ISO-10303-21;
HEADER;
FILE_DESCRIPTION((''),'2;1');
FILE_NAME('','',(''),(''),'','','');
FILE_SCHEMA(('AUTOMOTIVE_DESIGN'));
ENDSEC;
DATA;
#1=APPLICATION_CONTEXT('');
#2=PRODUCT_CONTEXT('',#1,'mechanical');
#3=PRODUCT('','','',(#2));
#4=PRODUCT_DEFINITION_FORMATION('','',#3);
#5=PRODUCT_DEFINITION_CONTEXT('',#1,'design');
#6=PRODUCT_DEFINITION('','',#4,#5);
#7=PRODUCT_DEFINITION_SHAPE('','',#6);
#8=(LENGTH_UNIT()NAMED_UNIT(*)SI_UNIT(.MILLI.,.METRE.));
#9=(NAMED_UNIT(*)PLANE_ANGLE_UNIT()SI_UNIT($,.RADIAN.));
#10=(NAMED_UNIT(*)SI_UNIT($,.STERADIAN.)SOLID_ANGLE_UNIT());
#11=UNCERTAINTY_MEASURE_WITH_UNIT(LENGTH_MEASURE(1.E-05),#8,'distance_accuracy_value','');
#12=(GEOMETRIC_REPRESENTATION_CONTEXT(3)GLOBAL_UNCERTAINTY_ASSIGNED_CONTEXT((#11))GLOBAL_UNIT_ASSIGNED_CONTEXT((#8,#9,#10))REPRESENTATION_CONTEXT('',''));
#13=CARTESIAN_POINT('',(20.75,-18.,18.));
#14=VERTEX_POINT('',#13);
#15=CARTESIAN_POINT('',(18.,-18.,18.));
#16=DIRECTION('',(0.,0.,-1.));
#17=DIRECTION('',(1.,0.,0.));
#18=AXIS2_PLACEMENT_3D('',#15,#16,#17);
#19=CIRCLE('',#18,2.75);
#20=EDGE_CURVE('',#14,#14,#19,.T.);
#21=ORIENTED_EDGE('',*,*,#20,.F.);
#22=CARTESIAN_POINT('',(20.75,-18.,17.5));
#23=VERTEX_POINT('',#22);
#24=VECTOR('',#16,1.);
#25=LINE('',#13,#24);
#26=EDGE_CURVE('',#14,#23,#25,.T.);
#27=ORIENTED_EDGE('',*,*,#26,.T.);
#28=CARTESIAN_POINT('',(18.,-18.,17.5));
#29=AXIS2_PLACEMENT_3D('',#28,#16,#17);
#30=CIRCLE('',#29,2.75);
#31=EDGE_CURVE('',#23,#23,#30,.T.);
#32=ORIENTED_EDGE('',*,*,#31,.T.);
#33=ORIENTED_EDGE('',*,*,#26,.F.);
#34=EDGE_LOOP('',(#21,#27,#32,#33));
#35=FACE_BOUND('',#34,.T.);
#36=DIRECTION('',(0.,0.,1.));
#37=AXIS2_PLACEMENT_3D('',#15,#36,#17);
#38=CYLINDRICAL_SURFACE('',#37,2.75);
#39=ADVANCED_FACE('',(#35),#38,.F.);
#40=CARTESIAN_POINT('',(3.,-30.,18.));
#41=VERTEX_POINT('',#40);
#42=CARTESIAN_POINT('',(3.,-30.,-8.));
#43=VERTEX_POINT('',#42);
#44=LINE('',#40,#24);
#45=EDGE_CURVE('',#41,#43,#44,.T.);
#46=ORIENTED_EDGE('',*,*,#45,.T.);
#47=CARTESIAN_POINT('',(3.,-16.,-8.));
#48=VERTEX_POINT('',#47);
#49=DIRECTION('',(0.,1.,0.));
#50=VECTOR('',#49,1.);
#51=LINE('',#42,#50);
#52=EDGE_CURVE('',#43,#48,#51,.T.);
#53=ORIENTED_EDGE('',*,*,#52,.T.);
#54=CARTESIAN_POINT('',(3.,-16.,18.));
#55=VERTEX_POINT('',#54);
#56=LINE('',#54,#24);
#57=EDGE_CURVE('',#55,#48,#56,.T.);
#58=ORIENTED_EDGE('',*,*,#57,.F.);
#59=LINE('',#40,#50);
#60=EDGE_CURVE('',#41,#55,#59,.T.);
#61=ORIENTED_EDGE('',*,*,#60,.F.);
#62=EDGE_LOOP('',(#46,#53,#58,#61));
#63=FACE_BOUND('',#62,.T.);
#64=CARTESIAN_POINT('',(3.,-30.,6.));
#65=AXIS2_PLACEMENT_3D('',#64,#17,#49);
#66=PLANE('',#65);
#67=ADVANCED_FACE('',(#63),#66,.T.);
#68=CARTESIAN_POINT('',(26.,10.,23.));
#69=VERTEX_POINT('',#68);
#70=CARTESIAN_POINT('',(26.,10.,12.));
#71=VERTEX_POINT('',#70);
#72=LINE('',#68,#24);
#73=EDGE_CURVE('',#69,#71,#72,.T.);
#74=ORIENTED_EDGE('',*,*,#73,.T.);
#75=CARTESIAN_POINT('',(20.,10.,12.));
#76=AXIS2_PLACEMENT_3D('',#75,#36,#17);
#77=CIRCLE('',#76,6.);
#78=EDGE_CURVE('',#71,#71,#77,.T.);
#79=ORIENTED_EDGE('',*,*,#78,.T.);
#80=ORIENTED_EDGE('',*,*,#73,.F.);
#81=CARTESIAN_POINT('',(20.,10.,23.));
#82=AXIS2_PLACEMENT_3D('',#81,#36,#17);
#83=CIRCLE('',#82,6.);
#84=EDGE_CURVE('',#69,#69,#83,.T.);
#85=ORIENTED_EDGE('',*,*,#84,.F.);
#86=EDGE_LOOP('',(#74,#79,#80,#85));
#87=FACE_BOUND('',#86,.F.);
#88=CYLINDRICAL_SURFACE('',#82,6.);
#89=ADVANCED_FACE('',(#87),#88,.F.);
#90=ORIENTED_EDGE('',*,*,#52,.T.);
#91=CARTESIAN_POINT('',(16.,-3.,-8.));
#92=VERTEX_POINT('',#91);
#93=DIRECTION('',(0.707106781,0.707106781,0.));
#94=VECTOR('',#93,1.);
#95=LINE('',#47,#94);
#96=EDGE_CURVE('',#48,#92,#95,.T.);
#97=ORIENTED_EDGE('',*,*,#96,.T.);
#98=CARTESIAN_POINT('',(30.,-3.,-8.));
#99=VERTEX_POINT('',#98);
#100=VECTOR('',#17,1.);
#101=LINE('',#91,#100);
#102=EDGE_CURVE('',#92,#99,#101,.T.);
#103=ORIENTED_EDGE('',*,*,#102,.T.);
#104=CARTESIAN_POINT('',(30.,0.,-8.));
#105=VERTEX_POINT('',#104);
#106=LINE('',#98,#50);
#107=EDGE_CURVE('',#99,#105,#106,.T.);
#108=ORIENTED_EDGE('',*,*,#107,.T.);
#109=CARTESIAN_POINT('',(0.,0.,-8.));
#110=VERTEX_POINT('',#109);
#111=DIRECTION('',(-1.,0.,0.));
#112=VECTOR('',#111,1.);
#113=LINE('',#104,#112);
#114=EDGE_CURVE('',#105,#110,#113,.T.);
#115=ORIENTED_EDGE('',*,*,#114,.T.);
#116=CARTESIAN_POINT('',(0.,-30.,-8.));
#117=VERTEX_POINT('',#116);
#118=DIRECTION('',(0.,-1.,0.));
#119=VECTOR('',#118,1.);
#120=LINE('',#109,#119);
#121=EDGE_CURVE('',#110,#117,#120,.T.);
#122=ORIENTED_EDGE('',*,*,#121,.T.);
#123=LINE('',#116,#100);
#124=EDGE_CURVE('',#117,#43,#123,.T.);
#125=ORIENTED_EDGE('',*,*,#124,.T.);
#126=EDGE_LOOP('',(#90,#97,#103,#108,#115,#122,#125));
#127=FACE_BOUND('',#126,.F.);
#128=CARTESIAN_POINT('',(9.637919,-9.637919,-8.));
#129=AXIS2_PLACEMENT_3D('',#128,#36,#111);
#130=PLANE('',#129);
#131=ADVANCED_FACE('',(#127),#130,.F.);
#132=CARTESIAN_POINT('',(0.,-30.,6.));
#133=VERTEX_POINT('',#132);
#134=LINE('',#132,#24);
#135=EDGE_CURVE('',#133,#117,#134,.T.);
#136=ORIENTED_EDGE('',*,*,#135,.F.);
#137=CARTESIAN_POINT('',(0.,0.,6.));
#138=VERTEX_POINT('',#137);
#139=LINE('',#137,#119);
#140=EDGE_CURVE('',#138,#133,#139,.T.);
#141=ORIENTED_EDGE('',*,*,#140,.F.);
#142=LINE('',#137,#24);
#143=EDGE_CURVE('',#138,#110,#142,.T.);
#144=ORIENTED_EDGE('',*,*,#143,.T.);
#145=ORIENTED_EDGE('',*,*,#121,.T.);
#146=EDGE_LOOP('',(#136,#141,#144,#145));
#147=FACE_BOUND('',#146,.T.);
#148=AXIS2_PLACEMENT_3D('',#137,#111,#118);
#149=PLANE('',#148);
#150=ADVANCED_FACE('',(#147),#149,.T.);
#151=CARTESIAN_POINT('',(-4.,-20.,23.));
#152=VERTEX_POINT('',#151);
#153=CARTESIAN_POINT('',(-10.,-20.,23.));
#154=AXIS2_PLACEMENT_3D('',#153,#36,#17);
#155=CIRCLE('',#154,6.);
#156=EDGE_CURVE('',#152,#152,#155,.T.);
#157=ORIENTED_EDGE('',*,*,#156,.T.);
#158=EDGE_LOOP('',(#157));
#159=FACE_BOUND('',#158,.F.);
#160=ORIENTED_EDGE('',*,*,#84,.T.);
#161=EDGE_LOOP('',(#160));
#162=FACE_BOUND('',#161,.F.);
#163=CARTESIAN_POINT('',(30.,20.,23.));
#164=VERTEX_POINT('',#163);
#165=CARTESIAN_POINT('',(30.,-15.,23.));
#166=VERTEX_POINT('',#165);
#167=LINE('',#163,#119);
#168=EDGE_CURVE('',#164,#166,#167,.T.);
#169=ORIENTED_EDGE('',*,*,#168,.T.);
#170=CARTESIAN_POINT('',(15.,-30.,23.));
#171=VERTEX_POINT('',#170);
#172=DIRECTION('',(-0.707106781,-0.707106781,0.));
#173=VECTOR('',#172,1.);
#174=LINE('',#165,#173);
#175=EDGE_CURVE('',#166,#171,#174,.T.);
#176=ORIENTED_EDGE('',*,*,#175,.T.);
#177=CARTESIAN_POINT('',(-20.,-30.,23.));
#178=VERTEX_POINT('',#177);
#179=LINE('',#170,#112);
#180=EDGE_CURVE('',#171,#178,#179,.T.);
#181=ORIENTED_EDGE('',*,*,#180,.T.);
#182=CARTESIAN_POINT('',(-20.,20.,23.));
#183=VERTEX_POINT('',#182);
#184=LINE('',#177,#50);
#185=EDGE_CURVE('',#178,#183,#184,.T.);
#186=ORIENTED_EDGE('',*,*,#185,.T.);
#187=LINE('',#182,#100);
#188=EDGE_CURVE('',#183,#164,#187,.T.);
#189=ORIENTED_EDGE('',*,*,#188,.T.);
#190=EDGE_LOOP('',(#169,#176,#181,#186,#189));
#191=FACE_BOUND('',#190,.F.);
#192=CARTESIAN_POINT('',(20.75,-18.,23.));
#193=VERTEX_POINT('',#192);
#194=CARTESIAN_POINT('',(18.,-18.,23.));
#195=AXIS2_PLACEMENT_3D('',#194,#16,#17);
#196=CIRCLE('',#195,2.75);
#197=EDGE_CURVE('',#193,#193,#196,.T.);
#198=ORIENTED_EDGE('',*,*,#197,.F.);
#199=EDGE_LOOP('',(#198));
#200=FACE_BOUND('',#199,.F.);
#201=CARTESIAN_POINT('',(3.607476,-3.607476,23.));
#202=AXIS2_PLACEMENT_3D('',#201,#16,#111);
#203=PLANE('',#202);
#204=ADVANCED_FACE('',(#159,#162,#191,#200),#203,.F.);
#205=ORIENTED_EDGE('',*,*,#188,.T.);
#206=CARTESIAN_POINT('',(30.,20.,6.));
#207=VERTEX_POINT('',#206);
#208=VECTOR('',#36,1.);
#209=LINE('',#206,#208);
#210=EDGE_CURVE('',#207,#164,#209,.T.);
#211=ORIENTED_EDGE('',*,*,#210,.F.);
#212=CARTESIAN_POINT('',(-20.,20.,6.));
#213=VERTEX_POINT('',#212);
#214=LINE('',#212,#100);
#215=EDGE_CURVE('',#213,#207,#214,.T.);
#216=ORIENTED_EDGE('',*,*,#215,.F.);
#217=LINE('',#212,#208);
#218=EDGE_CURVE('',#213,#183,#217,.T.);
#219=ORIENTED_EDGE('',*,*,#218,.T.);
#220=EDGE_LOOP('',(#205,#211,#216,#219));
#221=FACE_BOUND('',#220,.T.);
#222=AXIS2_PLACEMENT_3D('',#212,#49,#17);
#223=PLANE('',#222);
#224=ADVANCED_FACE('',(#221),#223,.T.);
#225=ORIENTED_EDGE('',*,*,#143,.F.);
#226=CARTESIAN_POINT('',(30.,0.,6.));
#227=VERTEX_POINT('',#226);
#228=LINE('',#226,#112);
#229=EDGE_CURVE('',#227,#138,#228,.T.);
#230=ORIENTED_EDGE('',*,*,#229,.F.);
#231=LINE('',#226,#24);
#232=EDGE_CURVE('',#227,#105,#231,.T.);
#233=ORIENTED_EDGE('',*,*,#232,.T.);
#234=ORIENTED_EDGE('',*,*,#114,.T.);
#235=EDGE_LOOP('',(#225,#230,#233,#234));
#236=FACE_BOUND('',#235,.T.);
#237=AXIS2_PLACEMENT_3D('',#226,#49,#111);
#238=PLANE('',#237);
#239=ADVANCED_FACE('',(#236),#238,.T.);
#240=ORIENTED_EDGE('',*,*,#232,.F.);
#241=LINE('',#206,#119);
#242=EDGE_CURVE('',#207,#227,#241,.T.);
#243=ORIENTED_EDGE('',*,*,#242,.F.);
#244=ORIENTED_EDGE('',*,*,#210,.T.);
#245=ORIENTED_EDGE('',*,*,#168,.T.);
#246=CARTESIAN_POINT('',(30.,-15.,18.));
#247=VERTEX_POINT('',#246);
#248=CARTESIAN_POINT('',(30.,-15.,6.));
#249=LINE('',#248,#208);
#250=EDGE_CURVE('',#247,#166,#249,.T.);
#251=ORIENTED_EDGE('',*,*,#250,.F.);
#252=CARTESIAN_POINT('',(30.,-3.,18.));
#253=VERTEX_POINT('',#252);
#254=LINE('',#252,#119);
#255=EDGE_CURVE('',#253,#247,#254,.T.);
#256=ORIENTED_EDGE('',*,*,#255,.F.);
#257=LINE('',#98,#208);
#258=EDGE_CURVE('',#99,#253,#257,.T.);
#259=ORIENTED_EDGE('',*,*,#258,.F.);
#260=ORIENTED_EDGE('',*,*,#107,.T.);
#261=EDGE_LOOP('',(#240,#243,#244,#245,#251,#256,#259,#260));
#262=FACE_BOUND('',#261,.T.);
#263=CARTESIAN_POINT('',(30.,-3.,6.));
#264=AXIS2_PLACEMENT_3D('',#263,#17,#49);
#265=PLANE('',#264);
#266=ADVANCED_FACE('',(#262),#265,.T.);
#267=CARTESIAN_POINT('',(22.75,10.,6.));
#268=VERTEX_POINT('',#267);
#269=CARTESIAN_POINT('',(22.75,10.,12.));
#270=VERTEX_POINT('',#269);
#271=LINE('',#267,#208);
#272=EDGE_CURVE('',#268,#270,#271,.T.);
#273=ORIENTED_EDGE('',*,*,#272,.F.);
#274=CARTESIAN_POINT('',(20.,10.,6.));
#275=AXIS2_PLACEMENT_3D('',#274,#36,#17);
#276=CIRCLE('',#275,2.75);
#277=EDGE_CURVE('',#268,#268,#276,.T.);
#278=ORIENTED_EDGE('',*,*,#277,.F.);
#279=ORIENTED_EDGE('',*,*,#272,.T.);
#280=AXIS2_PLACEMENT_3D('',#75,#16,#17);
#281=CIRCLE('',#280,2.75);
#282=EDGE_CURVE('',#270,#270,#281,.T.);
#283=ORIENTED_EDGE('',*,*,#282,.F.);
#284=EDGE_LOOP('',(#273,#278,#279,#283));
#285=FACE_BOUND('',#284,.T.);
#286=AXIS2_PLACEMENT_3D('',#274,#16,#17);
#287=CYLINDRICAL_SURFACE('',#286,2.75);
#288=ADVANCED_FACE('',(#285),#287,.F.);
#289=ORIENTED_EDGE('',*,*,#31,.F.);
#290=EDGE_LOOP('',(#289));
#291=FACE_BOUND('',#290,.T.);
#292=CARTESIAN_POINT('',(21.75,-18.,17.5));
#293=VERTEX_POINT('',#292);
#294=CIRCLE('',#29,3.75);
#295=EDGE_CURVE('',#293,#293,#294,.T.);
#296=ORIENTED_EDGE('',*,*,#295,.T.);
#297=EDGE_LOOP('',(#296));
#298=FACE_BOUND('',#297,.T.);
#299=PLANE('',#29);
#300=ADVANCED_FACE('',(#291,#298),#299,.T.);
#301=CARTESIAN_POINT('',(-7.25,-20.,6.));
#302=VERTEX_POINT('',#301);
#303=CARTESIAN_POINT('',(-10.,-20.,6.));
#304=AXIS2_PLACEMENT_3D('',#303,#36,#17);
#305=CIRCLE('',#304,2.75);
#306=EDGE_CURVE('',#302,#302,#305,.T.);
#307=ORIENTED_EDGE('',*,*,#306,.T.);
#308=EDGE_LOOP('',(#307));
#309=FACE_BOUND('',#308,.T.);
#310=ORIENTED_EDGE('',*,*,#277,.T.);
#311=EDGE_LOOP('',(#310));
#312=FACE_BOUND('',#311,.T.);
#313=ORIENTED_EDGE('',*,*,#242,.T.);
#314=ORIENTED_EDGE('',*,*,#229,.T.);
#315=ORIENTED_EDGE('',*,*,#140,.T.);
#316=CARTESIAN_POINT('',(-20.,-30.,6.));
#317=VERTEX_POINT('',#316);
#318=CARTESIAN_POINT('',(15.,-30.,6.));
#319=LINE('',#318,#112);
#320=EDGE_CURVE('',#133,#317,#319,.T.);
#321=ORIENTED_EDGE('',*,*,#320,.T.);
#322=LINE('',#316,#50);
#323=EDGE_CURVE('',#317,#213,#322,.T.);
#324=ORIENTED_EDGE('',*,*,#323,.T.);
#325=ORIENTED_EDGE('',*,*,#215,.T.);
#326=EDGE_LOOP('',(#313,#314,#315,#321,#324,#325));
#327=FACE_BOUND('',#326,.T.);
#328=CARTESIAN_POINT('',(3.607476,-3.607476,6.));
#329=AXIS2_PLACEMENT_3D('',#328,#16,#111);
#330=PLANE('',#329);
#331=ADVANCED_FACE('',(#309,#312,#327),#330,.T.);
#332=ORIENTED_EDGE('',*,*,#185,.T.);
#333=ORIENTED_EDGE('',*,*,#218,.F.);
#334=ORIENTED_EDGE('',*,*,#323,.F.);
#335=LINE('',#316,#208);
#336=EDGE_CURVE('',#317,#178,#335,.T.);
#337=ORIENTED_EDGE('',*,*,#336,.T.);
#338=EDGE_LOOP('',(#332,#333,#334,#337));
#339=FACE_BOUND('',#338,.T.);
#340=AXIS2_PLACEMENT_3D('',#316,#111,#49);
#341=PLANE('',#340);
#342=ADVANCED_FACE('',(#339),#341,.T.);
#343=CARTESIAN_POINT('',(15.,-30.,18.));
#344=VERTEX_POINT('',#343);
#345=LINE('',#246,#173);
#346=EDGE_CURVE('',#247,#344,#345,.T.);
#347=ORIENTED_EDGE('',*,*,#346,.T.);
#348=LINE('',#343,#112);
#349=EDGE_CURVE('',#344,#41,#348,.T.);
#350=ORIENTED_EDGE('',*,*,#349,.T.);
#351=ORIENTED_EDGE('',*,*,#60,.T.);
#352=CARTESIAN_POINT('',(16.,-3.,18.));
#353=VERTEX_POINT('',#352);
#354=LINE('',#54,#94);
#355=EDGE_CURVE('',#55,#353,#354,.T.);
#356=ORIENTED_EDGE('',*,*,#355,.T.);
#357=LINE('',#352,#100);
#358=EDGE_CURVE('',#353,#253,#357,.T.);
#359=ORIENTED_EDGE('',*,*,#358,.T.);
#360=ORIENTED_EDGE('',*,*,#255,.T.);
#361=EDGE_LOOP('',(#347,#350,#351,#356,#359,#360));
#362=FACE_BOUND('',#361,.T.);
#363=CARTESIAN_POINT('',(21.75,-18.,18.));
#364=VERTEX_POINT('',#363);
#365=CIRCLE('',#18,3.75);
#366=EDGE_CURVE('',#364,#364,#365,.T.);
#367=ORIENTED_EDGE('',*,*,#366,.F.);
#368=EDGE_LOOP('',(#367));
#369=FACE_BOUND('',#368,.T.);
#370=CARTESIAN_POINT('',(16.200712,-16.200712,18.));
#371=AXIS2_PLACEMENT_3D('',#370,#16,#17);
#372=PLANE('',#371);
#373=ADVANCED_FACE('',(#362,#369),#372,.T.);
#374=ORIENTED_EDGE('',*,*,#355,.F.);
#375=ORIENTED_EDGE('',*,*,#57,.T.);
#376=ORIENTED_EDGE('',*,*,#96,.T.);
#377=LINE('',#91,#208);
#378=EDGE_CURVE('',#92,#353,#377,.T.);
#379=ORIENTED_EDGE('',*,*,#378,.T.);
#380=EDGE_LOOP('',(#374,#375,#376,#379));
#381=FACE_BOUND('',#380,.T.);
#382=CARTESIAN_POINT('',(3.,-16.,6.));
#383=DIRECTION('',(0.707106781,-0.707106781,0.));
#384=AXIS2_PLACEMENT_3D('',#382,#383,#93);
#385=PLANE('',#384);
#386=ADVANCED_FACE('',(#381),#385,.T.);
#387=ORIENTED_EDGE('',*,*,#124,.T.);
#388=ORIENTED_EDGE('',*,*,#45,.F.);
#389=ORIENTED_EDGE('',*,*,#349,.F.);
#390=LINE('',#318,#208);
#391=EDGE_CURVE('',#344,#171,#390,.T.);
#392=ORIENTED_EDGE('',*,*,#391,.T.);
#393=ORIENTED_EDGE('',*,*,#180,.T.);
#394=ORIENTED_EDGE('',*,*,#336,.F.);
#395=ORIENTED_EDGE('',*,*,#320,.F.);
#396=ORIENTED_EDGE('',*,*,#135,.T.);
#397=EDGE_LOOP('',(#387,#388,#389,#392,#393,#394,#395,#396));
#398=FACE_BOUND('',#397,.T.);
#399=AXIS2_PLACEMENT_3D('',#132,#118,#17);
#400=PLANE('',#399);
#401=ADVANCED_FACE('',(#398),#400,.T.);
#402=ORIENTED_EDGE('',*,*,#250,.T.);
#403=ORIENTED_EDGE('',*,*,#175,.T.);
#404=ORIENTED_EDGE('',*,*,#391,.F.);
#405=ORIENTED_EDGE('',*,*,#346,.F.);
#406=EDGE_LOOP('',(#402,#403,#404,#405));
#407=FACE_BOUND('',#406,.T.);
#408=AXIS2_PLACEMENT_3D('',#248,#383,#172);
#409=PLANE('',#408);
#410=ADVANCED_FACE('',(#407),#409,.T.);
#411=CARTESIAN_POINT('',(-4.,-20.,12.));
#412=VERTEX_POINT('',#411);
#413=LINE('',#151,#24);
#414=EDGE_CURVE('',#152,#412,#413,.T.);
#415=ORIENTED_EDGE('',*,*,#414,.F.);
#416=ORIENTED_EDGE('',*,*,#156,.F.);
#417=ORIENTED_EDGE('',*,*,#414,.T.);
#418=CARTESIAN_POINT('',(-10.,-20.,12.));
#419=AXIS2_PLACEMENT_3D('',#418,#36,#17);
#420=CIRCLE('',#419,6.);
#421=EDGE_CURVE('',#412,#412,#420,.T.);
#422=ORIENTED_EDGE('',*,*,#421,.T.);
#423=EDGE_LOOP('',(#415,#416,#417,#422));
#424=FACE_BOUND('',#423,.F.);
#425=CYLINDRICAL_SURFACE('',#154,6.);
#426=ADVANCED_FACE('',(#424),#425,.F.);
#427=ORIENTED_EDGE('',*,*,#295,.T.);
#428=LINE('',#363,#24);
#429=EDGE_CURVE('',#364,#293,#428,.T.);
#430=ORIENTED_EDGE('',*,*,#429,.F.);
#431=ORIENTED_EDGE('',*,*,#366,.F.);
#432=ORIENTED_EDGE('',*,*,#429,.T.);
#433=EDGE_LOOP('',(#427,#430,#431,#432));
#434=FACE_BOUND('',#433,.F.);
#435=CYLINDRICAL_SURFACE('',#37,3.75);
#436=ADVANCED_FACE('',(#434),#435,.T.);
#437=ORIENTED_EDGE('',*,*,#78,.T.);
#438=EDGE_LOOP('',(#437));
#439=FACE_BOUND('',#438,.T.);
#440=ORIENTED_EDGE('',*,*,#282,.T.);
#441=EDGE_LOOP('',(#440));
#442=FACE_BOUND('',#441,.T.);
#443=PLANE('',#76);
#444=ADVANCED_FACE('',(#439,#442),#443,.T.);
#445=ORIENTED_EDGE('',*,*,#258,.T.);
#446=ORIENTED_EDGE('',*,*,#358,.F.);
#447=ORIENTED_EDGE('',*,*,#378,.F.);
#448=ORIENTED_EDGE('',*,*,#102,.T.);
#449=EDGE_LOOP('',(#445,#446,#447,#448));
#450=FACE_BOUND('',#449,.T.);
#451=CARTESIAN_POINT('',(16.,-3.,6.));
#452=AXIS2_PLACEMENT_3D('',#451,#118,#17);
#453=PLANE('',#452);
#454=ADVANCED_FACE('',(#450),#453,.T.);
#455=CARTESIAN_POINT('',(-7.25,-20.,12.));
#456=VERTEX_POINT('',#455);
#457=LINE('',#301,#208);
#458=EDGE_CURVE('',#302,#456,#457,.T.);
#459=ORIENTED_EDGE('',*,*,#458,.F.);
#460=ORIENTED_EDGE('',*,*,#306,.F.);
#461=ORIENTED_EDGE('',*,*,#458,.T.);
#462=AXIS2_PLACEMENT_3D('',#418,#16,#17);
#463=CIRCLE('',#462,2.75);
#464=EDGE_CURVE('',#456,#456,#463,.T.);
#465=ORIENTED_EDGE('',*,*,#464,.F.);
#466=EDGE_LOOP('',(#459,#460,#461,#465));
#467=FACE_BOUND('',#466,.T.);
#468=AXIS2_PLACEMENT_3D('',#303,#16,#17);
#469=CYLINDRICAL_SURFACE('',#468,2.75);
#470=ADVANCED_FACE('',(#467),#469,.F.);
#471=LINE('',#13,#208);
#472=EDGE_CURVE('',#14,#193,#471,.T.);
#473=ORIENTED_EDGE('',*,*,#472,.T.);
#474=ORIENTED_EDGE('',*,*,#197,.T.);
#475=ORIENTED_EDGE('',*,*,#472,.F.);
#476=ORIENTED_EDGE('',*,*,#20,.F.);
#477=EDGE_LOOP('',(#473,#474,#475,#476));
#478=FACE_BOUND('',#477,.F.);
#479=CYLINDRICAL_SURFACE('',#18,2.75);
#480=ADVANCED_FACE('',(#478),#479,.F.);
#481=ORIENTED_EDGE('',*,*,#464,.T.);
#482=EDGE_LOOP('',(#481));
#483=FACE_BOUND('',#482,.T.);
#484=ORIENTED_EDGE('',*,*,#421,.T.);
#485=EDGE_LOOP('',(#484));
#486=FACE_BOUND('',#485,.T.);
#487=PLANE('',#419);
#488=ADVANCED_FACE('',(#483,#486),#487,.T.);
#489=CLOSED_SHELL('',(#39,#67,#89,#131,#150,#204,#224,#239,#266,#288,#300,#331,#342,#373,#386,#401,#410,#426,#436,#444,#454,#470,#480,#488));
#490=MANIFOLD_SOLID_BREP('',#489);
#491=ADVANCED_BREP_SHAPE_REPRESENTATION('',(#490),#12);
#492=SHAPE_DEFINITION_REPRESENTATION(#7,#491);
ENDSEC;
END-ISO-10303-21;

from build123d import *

# Parameters (mm, degrees)
SKETCH001_R     = 2.75
PAD001_DEPTH    = 17
POCKET_DEPTH    = 12
SKETCH002_R     = 2.75
POCKET001_DEPTH = 5.001
SKETCH004_R     = 3.75
SKETCH004_R_2   = 2.75
PAD_DEPTH       = 0.5
PAD002_DEPTH    = 14
SKETCH006_R     = 6
POCKET002_DEPTH = 11


with BuildPart() as part:
    # Sketch001 → Pad001 (new body)
    with BuildSketch(Plane.XY.offset(6)):
        Polygon((15, -30), (-20, -30), (-20, 20), (30, 20), (30, -15), align=None)
        with Locations((-10, -20)):
            Circle(SKETCH001_R, mode=Mode.SUBTRACT)
        with Locations((20, 10)):
            Circle(SKETCH001_R, mode=Mode.SUBTRACT)
    extrude(amount=PAD001_DEPTH)

    # Sketch (on Face8 of Pad001) → Pocket (cut)
    with BuildSketch(Plane(origin=(0, 0, 6), x_dir=(1, 0, 0), z_dir=(0, 0, -1))):
        Polygon((15, 30), (3, 30), (3, 16), (16, 3), (30, 3), (30, 15), align=None)
    extrude(amount=-POCKET_DEPTH, mode=Mode.SUBTRACT)

    # Sketch002 (on Face2 of Pocket) → Pocket001 (cut, through all)
    with BuildSketch(Plane(origin=(0, 0, 18), x_dir=(1, 0, 0), z_dir=(0, 0, -1))):
        with Locations((18, 18)):
            Circle(SKETCH002_R)
    extrude(amount=-POCKET001_DEPTH, mode=Mode.SUBTRACT)

    # Sketch004 (on Face2 of Pocket001) → Pad (join)
    with BuildSketch(Plane(origin=(0, 0, 18), x_dir=(1, 0, 0), z_dir=(0, 0, -1))):
        with Locations((18, 18)):
            Circle(SKETCH004_R)
        with Locations((18, 18)):
            Circle(SKETCH004_R_2, mode=Mode.SUBTRACT)
    extrude(amount=PAD_DEPTH)

    # Sketch005 (on Face4 of Pad) → Pad002 (join)
    with BuildSketch(Plane(origin=(0, 0, 6), x_dir=(1, 0, 0), z_dir=(0, 0, -1))):
        Polygon((3, 16), (16, 3), (30, 3), (30, 0), (0, 0), (0, 30), (3, 30), align=None)
    extrude(amount=PAD002_DEPTH)

    # Sketch006 (on Face5 of Pad002) → Pocket002 (cut)
    with BuildSketch(Plane.XY.offset(23)):
        with Locations((20, 10)):
            Circle(SKETCH006_R)
        with Locations((-10, -20)):
            Circle(SKETCH006_R)
    extrude(amount=-POCKET002_DEPTH, mode=Mode.SUBTRACT)


solid = part.part
